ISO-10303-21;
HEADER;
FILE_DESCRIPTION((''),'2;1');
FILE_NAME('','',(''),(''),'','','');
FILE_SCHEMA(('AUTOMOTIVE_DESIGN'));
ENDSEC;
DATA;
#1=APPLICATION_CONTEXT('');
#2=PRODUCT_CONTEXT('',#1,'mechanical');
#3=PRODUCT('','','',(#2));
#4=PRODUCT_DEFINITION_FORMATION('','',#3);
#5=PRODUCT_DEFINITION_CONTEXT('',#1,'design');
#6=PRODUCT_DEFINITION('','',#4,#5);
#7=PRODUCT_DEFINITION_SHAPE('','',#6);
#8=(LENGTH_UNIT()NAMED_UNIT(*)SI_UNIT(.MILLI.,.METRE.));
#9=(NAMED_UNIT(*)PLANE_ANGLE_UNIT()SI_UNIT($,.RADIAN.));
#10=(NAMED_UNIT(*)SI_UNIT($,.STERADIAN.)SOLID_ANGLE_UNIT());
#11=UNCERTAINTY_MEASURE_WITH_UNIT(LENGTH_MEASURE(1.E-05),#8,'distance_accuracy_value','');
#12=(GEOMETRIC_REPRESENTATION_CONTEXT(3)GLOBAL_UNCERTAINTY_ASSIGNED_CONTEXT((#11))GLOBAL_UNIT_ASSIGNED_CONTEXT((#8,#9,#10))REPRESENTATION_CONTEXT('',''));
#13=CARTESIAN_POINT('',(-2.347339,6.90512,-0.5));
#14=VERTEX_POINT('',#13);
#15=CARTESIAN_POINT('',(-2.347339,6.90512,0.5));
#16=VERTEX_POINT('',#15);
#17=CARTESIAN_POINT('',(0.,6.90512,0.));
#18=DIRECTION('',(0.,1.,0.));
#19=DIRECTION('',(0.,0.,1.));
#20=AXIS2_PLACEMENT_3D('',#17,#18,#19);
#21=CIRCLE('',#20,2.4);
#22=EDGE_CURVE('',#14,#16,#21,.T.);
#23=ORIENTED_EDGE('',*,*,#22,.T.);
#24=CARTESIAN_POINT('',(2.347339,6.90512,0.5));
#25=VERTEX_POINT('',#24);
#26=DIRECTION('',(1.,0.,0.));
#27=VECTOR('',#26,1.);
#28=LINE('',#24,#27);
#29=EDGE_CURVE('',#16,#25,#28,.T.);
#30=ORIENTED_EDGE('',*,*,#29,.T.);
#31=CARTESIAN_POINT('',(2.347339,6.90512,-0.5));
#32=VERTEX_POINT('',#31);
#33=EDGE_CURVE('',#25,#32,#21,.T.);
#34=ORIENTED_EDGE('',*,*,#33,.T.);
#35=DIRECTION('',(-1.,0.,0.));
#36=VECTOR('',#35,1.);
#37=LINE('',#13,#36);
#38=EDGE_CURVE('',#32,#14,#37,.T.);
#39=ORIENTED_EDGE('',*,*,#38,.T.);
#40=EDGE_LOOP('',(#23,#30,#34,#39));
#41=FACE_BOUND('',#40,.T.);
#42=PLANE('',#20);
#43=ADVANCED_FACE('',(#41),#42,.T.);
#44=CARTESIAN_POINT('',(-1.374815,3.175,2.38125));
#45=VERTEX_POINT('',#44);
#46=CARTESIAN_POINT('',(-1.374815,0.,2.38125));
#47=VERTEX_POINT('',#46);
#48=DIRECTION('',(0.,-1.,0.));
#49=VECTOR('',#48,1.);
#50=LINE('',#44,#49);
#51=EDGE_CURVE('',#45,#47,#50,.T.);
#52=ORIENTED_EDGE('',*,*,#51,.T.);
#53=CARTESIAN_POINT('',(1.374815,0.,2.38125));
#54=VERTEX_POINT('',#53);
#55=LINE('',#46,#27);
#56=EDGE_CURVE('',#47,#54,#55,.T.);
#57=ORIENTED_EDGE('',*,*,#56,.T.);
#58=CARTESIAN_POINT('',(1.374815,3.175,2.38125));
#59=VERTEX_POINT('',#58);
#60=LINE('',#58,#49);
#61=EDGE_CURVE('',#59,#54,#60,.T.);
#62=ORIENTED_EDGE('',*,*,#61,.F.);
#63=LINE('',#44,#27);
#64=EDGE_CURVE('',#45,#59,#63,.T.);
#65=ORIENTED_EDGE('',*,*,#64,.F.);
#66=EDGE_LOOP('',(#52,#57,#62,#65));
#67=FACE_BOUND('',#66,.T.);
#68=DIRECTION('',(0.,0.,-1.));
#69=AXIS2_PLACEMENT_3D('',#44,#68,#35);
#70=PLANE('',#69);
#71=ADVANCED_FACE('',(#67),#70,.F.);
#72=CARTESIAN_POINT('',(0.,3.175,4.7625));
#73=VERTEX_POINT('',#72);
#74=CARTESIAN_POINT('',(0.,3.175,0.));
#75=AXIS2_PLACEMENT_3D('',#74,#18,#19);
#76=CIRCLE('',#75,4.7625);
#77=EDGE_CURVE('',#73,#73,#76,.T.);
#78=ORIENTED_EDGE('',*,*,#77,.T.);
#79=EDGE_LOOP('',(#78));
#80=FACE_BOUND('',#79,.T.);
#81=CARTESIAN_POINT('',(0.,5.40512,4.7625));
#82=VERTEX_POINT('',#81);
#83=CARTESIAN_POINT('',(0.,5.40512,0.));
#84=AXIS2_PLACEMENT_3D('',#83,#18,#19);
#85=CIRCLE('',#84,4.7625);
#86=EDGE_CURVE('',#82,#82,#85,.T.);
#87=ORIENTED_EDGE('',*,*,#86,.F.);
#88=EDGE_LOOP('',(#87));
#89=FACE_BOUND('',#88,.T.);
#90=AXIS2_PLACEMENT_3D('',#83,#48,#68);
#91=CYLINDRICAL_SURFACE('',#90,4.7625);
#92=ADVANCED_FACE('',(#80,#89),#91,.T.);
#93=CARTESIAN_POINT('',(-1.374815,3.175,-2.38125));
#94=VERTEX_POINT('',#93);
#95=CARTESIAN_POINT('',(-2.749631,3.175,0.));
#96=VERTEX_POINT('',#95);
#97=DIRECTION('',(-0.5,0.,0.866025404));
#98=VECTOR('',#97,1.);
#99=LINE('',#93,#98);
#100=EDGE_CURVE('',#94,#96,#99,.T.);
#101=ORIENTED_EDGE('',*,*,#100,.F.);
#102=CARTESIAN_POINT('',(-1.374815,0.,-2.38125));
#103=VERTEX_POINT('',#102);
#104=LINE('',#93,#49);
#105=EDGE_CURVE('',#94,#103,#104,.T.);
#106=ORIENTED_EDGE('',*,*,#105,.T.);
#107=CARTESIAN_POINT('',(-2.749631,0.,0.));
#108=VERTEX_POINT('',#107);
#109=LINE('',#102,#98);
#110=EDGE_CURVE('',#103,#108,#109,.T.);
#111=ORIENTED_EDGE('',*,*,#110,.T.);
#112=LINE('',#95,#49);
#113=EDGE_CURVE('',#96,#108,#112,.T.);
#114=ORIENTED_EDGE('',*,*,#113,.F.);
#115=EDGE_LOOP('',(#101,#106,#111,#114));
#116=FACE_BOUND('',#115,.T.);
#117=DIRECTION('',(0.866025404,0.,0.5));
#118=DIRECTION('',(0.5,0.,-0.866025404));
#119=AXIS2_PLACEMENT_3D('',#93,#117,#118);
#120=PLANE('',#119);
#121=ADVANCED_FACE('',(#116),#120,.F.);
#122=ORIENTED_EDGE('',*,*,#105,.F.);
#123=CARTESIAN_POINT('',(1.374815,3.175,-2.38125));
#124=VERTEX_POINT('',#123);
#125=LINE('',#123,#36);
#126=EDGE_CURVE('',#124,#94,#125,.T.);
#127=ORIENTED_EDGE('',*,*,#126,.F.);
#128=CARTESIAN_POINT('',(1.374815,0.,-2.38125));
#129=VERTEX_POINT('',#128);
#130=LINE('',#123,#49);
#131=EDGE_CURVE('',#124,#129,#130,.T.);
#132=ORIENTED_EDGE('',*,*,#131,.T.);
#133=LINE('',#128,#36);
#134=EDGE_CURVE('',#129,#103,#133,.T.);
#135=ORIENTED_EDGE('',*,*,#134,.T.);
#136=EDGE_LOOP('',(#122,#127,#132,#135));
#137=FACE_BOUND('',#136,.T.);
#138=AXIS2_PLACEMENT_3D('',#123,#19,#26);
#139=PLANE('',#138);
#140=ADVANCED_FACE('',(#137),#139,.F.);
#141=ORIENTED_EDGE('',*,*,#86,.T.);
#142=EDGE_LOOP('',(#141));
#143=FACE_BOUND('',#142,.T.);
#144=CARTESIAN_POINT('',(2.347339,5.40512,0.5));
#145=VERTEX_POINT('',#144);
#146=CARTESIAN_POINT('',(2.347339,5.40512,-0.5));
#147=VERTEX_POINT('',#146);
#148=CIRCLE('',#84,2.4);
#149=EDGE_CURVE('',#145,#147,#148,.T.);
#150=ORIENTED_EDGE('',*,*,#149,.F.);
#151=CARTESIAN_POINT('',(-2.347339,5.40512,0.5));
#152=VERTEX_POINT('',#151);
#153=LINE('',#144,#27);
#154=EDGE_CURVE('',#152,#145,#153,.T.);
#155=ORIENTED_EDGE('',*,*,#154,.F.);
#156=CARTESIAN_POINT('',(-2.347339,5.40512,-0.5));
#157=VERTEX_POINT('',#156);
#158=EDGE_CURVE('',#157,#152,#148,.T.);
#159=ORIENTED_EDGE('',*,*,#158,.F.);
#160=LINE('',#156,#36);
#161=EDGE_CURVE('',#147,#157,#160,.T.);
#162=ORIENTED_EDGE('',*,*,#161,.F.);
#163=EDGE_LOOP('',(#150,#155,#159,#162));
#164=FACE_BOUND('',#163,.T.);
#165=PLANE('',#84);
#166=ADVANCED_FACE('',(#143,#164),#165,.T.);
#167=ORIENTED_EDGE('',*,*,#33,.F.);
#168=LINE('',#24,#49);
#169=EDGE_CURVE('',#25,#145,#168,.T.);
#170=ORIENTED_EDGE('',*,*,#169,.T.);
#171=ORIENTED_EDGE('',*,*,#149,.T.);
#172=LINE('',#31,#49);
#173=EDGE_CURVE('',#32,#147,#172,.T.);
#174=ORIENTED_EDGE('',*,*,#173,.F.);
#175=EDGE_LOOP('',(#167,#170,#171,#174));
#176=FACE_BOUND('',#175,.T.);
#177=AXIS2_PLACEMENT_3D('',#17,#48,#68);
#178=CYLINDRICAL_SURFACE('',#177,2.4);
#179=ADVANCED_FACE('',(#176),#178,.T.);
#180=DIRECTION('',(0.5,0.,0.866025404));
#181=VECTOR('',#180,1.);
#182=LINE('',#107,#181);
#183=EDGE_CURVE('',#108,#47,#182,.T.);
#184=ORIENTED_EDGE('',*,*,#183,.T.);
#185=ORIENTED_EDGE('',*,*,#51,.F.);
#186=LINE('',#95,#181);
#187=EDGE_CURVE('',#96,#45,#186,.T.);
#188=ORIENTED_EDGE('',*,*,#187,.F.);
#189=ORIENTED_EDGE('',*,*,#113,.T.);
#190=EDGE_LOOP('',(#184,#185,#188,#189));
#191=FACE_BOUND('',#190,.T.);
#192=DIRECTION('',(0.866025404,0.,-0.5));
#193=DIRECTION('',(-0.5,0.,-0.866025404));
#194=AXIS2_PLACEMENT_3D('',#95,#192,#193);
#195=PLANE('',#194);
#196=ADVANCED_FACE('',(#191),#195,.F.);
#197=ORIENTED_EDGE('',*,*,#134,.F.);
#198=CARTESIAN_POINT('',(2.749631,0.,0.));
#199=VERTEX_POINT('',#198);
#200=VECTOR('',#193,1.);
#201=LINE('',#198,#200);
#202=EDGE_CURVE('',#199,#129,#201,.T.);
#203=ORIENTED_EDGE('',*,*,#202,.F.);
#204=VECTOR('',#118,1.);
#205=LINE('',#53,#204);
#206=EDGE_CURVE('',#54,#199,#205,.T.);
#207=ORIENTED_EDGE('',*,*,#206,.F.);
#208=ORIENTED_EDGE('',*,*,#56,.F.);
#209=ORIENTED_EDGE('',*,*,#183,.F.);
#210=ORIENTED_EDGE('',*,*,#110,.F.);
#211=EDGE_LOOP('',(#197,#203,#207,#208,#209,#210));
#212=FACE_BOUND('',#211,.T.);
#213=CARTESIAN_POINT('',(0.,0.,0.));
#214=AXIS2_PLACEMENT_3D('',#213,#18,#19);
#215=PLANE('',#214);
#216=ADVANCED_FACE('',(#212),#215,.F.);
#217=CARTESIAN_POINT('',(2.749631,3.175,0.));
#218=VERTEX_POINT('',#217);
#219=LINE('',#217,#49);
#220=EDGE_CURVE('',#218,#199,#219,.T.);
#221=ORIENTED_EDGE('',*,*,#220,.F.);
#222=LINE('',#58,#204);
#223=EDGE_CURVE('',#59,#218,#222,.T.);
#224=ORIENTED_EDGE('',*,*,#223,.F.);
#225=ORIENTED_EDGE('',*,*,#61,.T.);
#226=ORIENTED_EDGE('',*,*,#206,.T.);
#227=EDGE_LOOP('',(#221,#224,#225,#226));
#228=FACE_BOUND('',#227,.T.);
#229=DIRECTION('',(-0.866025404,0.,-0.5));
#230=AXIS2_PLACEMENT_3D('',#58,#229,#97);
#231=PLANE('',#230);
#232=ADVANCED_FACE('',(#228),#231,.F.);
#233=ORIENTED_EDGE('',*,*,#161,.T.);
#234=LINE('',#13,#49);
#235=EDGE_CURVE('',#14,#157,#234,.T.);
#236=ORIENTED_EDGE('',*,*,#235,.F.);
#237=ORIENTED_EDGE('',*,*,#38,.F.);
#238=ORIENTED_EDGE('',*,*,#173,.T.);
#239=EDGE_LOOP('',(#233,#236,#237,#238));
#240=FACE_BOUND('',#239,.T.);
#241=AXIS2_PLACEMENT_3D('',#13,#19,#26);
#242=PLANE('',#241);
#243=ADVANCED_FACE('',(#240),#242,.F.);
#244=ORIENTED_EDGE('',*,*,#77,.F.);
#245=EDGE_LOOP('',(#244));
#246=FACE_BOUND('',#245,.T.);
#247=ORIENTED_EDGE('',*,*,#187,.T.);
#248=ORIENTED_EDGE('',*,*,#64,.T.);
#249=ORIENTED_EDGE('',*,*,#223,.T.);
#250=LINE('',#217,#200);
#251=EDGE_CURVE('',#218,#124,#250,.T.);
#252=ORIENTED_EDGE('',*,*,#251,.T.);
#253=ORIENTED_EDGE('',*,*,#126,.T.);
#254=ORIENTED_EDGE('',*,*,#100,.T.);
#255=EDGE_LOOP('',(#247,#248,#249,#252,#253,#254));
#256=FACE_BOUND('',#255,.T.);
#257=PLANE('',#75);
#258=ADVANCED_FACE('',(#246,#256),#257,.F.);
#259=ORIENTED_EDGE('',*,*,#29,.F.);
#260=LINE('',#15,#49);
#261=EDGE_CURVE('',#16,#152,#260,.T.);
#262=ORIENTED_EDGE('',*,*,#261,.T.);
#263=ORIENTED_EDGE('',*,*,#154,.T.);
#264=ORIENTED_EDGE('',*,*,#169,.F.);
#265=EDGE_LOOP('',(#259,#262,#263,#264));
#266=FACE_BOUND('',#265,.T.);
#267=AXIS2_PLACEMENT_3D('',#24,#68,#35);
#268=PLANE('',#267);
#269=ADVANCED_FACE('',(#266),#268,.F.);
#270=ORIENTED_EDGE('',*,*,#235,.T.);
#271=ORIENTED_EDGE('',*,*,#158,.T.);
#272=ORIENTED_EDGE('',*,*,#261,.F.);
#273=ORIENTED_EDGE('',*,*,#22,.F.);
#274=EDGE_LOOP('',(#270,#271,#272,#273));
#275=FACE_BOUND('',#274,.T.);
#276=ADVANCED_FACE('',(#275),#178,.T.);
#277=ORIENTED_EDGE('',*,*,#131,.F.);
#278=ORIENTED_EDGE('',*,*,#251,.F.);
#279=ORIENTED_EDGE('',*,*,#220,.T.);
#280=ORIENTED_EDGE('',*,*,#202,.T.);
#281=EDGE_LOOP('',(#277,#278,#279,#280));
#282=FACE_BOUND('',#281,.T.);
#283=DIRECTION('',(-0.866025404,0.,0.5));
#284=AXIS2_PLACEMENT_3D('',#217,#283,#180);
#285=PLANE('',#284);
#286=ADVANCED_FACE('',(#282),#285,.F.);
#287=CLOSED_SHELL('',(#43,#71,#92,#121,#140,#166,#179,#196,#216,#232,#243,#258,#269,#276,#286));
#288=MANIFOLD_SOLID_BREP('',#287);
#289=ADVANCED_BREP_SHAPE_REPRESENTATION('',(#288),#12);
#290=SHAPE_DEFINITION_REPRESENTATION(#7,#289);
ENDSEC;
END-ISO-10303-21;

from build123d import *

# Parameters (mm, degrees)
BOSS_EXTRUDE1_DEPTH = 3.175
SKETCH2_R           = 4.7625
BOSS_EXTRUDE2_DEPTH = 2.23012
BOSS_EXTRUDE3_DEPTH = 1.5


with BuildPart() as part:
    # Sketch1 → Boss-Extrude1 (new body)
    with BuildSketch(Plane(origin=(0, 0, 0), x_dir=(1, 0, 0), z_dir=(0, 1, 0))):
        Polygon((1.374815329, 2.38125), (-1.374815329, 2.38125), (-2.749630657, 0), (-1.374815329, -2.38125), (1.374815329, -2.38125), (2.749630657, 0), align=None)
    extrude(amount=BOSS_EXTRUDE1_DEPTH)

    # Sketch2 → Boss-Extrude2 (add)
    with BuildSketch(Plane(origin=(0, 3.175, 0), x_dir=(1, 0, 0), z_dir=(0, 1, 0))):
        Circle(SKETCH2_R)
    extrude(amount=BOSS_EXTRUDE2_DEPTH)

    # Sketch3 → Boss-Extrude3 (add)
    with BuildSketch(Plane(origin=(0, 5.40512, 0), x_dir=(1, 0, 0), z_dir=(0, 1, 0))):
        with BuildLine():
            Line((-2.347338919, 0.5), (2.347338919, 0.5))
            ThreePointArc((2.347338919, 0.5), (2.4, 0), (2.347338919, -0.5))
            Line((2.347338919, -0.5), (-2.347338919, -0.5))
            ThreePointArc((-2.347338919, -0.5), (-2.4, 0), (-2.347338919, 0.5))
        make_face()
    extrude(amount=BOSS_EXTRUDE3_DEPTH)


solid = part.part
